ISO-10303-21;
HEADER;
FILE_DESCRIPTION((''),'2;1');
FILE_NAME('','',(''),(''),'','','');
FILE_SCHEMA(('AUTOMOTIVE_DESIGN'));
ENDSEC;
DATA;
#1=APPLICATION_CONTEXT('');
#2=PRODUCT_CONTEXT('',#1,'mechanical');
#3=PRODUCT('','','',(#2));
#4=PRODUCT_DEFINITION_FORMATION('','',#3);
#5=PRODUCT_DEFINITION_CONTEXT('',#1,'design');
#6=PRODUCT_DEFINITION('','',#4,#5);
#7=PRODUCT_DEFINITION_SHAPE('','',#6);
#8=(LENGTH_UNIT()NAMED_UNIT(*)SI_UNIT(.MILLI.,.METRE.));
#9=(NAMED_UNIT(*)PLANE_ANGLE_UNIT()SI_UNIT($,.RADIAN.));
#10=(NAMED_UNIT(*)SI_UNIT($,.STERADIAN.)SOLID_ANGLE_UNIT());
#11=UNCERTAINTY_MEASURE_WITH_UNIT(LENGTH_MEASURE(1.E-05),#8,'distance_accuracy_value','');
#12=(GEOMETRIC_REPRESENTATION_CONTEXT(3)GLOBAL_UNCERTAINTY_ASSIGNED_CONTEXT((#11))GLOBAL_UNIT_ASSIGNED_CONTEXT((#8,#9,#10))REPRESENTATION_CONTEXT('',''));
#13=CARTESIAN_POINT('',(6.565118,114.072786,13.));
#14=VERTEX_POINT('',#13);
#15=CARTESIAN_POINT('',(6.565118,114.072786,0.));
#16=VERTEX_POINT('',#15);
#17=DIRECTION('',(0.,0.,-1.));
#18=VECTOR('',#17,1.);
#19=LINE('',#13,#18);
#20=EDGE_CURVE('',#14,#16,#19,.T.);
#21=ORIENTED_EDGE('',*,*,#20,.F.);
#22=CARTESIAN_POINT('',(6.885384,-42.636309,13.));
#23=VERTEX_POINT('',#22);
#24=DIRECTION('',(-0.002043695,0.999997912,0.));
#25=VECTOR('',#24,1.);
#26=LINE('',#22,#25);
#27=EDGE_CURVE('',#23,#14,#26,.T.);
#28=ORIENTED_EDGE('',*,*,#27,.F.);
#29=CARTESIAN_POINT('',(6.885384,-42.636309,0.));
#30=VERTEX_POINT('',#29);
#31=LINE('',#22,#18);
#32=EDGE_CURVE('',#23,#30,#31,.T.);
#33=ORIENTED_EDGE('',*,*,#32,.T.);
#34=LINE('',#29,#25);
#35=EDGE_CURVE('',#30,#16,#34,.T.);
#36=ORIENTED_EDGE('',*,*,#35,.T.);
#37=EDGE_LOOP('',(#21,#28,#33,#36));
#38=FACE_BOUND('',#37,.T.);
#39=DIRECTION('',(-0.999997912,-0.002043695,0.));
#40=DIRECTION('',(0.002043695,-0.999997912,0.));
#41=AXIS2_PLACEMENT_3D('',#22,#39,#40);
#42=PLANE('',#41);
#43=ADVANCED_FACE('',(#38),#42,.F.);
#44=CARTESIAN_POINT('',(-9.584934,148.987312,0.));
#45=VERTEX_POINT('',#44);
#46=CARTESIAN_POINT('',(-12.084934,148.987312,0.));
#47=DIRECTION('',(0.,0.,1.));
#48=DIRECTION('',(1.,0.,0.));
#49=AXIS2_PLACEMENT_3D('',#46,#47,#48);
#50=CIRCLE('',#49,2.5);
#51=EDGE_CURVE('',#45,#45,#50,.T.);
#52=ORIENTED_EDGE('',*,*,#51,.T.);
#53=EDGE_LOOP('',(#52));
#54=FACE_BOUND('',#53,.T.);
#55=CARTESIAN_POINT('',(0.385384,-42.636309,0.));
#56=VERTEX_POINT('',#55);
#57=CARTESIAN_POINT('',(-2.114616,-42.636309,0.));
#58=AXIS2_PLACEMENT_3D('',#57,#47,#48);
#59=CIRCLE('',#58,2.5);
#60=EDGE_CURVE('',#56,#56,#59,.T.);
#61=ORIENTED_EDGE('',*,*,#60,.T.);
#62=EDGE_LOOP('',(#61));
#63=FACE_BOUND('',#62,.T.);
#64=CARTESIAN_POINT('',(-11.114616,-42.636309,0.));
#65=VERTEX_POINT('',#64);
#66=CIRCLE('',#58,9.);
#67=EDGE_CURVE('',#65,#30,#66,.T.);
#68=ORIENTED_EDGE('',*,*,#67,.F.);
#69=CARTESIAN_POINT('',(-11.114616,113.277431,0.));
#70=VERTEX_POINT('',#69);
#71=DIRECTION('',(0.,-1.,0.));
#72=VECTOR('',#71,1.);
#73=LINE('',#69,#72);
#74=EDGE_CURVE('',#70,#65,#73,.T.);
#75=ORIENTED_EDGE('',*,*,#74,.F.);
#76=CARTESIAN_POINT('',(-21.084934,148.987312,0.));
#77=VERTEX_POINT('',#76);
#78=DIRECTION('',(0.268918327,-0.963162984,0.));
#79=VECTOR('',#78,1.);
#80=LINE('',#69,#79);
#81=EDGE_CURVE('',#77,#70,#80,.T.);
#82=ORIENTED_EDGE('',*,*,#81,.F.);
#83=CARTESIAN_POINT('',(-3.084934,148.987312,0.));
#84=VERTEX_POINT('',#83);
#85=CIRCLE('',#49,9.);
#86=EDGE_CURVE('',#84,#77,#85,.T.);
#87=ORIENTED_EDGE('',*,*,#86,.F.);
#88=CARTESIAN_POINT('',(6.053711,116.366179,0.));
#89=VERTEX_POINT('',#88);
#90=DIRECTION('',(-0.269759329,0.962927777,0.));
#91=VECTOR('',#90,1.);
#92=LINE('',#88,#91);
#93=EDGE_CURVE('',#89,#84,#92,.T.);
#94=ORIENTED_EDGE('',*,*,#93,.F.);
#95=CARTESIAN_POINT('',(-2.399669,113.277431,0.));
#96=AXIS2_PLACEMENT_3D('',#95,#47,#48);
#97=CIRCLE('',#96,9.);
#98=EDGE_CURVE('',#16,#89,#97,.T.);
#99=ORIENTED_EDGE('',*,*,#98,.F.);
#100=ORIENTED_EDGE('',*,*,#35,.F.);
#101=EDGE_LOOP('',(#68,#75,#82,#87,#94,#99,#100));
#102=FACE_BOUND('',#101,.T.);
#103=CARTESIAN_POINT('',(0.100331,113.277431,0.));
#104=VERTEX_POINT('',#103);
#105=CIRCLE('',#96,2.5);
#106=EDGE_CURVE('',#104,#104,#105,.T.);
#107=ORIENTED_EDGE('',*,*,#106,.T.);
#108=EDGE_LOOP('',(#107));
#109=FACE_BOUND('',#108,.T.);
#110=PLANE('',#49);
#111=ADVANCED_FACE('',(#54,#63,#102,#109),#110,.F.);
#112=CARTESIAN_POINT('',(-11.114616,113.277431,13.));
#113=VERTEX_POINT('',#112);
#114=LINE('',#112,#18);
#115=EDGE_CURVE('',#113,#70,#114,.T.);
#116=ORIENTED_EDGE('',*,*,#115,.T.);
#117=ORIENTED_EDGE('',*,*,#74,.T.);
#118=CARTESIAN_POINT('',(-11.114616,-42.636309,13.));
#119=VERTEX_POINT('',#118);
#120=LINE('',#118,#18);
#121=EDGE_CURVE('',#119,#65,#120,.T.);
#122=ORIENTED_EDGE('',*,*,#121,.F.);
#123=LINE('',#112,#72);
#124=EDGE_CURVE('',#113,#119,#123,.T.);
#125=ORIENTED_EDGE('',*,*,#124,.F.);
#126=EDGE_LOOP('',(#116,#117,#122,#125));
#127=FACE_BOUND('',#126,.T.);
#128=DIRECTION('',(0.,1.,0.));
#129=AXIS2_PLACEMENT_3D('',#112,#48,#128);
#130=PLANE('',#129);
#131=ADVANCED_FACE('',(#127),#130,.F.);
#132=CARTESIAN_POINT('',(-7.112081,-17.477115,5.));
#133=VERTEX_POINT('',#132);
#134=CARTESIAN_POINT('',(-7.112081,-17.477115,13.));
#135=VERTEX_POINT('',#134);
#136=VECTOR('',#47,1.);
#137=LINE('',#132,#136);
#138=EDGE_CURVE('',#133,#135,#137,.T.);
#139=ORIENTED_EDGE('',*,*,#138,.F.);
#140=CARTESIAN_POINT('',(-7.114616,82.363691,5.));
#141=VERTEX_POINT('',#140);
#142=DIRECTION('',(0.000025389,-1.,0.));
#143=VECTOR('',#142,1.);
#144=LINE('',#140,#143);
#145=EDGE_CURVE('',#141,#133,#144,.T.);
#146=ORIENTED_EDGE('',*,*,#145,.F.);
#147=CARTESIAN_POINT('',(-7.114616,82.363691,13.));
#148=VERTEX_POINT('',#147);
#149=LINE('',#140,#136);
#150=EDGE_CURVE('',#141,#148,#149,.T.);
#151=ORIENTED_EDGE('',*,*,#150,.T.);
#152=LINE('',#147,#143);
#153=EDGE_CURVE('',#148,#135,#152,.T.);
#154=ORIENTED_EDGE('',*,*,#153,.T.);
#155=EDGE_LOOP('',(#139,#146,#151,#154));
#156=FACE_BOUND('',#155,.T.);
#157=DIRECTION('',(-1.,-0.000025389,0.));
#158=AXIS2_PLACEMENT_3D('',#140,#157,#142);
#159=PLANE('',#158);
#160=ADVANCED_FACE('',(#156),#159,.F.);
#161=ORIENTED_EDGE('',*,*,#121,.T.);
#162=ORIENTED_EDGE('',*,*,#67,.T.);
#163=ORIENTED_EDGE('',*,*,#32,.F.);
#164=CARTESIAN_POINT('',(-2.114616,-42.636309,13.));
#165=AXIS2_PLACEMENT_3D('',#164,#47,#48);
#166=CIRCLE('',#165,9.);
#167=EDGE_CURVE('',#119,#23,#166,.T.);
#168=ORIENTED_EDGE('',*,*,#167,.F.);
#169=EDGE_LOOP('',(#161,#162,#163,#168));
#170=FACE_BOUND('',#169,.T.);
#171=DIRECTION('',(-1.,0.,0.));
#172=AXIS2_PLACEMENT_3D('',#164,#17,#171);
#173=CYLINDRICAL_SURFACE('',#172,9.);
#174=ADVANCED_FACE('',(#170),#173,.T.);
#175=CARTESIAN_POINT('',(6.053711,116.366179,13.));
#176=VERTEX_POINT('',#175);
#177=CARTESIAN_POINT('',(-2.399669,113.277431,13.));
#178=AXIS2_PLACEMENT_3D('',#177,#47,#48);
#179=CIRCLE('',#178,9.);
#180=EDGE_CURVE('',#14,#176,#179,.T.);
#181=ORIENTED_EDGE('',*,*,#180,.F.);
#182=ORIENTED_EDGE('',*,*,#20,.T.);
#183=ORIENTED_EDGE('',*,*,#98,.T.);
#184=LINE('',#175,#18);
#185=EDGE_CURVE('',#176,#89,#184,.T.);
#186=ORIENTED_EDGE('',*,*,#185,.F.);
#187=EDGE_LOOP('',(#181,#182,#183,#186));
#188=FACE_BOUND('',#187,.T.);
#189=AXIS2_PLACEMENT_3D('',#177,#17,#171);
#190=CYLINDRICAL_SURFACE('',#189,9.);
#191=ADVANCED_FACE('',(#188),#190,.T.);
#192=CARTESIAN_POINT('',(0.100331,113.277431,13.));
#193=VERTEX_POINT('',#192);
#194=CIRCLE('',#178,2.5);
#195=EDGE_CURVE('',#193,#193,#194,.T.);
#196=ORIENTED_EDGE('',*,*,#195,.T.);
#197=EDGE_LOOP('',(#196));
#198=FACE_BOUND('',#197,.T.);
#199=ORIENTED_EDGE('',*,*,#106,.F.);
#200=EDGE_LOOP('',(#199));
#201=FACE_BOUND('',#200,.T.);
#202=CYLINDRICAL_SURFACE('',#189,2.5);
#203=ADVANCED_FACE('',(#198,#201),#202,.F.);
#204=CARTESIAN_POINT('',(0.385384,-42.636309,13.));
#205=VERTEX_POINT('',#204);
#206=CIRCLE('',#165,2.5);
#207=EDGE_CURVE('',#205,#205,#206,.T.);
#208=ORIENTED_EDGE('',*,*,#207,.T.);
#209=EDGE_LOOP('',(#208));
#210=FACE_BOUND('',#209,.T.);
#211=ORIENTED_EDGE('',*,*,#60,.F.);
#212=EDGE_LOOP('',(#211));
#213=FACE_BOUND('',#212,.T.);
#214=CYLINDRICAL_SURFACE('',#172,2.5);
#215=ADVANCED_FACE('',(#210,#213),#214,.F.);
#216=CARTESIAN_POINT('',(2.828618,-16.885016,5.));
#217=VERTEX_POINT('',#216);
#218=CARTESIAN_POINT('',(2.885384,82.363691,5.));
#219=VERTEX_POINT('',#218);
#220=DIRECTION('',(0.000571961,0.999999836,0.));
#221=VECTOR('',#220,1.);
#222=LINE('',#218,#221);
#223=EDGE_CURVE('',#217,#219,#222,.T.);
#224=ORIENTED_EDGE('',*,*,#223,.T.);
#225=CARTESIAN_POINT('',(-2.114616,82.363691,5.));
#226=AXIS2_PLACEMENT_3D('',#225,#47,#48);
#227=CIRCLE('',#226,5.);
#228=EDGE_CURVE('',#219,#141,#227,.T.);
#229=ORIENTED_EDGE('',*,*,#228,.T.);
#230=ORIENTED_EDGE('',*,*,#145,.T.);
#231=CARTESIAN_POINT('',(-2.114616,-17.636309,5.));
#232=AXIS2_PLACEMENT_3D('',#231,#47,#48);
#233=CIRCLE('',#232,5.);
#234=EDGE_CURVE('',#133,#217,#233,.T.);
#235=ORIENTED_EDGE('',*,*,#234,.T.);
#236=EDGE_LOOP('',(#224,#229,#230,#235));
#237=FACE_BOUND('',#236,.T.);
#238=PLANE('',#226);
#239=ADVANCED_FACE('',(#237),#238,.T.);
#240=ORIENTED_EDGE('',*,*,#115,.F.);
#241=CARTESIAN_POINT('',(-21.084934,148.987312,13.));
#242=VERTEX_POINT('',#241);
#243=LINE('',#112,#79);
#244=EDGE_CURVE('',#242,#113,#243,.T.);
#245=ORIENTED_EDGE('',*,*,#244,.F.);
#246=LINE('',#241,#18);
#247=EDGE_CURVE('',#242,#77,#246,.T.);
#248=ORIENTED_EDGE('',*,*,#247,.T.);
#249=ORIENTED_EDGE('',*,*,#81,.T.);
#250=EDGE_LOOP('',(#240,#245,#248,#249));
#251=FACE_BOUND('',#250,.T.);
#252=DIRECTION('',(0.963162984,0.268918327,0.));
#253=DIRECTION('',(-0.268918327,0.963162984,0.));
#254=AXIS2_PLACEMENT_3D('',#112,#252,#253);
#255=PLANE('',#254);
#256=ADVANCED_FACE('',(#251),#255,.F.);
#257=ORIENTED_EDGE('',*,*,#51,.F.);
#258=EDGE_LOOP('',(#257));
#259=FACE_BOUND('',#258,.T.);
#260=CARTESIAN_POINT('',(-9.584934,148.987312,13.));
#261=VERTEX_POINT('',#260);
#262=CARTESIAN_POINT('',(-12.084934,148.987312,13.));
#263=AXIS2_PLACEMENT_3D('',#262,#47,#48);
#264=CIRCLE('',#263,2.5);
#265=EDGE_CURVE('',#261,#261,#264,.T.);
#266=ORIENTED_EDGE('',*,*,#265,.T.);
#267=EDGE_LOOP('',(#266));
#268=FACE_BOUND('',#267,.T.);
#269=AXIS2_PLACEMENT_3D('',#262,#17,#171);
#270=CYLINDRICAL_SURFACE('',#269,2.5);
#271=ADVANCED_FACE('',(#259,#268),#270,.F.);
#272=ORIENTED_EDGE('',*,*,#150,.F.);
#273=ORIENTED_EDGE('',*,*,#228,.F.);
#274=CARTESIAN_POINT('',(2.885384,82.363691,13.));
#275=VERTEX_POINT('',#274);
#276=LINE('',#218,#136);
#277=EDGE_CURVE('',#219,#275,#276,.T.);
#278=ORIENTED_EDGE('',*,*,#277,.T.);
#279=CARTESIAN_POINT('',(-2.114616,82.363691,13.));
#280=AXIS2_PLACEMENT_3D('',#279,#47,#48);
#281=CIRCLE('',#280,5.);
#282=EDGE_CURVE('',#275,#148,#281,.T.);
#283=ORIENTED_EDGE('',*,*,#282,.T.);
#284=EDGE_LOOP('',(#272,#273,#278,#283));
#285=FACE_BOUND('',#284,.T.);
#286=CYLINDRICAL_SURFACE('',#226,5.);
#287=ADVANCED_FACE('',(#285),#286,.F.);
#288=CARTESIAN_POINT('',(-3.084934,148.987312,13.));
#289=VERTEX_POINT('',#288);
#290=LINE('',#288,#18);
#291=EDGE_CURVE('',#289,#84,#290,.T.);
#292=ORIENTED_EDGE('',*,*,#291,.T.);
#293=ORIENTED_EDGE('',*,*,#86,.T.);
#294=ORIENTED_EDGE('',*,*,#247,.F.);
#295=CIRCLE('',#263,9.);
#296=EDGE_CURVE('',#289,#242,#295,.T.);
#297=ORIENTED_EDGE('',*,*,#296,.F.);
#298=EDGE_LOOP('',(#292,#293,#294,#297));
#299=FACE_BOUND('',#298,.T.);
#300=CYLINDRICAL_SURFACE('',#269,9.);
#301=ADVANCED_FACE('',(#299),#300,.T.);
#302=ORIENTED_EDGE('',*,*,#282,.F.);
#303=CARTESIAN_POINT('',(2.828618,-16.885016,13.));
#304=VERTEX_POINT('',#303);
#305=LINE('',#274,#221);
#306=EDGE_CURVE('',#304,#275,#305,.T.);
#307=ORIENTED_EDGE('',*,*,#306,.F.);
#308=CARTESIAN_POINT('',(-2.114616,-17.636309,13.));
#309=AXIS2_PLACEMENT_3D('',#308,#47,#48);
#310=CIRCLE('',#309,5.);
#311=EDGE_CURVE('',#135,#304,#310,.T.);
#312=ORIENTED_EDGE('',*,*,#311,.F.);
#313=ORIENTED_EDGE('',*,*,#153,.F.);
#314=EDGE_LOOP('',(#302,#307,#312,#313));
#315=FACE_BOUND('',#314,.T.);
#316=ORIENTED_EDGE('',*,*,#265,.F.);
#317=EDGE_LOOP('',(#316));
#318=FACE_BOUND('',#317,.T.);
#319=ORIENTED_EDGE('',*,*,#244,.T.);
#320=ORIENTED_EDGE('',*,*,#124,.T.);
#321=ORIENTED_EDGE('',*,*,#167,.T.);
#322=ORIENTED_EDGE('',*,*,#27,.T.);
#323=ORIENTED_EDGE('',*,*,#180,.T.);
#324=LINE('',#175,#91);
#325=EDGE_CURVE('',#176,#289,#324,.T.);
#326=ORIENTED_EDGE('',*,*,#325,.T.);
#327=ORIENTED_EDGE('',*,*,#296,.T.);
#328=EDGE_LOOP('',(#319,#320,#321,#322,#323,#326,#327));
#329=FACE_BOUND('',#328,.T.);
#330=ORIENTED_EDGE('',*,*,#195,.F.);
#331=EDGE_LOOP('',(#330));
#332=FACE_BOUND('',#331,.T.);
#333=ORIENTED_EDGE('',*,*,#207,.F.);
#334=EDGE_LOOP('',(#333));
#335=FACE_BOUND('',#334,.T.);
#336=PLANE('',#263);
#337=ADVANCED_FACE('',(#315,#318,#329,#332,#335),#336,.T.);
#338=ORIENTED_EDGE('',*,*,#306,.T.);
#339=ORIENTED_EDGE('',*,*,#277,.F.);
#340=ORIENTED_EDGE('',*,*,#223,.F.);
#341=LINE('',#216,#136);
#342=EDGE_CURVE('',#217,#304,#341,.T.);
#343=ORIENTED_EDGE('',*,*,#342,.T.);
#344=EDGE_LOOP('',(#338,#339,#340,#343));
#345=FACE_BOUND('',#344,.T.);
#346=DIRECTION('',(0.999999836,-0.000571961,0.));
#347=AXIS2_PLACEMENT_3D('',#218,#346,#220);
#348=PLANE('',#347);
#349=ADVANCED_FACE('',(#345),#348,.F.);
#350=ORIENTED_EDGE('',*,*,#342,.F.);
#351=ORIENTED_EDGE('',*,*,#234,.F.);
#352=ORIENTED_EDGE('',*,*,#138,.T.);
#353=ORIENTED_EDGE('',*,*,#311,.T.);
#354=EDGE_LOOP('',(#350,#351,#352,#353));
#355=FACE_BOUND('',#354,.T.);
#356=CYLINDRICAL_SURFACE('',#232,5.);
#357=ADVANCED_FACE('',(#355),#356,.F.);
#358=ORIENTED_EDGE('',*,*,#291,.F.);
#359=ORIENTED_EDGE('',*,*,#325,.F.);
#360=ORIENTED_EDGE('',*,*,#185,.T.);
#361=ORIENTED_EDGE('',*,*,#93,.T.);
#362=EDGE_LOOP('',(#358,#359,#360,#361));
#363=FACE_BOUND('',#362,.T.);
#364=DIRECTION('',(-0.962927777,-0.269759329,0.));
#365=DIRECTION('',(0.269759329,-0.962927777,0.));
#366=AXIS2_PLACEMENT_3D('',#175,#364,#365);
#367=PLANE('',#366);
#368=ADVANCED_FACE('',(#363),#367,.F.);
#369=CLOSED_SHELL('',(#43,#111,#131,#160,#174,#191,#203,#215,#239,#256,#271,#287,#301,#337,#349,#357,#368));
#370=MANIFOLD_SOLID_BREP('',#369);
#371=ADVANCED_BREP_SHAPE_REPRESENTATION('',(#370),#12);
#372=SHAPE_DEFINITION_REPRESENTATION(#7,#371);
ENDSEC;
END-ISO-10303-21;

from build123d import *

# Parameters (mm, degrees)
SKETCH1_R      = 2.5
EXTRUDE1_DEPTH = 13
EXTRUDE2_DEPTH = 8


with BuildPart() as part:
    # Sketch1 → Extrude1 (new body)
    with BuildSketch(Plane.XY):
        with BuildLine():
            Line((-11.114615619, 113.277430864), (-11.114615619, -42.636308558))
            ThreePointArc((-11.114615619, -42.636308558), (-2.114615619, -51.636308558), (6.885384381, -42.636308558))
            Line((6.885384381, -42.636308558), (6.565118116, 114.072785693))
            ThreePointArc((6.565118116, 114.072785693), (6.384581051, 115.236243879), (6.053710916, 116.36617907))
            Line((6.053710916, 116.36617907), (-3.084934036, 148.987312466))
            ThreePointArc((-3.084934036, 148.987312466), (-12.084934036, 157.987312466), (-21.084934036, 148.987312466))
            Line((-21.084934036, 148.987312466), (-11.114615619, 113.277430864))
        make_face()
        with Locations((-2.399669149, 113.277430864)):
            Circle(SKETCH1_R, mode=Mode.SUBTRACT)
        with Locations((-2.114615619, -42.636308558)):
            Circle(SKETCH1_R, mode=Mode.SUBTRACT)
        with Locations((-12.084934036, 148.987312466)):
            Circle(SKETCH1_R, mode=Mode.SUBTRACT)
    extrude(amount=EXTRUDE1_DEPTH)

    # Sketch2 → Extrude2 (cut)
    with BuildSketch(Plane.XY.offset(13)):
        with BuildLine():
            Line((2.885384381, 82.363691442), (2.828618024, -16.885015572))
            ThreePointArc((2.828618024, -16.885015572), (-1.817326792, -22.627462668), (-7.112080712, -17.477114833))
            Line((-7.112080712, -17.477114833), (-7.114615619, 82.363691442))
            ThreePointArc((-7.114615619, 82.363691442), (-2.114615619, 87.363691442), (2.885384381, 82.363691442))
        make_face()
    extrude(amount=-EXTRUDE2_DEPTH, mode=Mode.SUBTRACT)


solid = part.part
